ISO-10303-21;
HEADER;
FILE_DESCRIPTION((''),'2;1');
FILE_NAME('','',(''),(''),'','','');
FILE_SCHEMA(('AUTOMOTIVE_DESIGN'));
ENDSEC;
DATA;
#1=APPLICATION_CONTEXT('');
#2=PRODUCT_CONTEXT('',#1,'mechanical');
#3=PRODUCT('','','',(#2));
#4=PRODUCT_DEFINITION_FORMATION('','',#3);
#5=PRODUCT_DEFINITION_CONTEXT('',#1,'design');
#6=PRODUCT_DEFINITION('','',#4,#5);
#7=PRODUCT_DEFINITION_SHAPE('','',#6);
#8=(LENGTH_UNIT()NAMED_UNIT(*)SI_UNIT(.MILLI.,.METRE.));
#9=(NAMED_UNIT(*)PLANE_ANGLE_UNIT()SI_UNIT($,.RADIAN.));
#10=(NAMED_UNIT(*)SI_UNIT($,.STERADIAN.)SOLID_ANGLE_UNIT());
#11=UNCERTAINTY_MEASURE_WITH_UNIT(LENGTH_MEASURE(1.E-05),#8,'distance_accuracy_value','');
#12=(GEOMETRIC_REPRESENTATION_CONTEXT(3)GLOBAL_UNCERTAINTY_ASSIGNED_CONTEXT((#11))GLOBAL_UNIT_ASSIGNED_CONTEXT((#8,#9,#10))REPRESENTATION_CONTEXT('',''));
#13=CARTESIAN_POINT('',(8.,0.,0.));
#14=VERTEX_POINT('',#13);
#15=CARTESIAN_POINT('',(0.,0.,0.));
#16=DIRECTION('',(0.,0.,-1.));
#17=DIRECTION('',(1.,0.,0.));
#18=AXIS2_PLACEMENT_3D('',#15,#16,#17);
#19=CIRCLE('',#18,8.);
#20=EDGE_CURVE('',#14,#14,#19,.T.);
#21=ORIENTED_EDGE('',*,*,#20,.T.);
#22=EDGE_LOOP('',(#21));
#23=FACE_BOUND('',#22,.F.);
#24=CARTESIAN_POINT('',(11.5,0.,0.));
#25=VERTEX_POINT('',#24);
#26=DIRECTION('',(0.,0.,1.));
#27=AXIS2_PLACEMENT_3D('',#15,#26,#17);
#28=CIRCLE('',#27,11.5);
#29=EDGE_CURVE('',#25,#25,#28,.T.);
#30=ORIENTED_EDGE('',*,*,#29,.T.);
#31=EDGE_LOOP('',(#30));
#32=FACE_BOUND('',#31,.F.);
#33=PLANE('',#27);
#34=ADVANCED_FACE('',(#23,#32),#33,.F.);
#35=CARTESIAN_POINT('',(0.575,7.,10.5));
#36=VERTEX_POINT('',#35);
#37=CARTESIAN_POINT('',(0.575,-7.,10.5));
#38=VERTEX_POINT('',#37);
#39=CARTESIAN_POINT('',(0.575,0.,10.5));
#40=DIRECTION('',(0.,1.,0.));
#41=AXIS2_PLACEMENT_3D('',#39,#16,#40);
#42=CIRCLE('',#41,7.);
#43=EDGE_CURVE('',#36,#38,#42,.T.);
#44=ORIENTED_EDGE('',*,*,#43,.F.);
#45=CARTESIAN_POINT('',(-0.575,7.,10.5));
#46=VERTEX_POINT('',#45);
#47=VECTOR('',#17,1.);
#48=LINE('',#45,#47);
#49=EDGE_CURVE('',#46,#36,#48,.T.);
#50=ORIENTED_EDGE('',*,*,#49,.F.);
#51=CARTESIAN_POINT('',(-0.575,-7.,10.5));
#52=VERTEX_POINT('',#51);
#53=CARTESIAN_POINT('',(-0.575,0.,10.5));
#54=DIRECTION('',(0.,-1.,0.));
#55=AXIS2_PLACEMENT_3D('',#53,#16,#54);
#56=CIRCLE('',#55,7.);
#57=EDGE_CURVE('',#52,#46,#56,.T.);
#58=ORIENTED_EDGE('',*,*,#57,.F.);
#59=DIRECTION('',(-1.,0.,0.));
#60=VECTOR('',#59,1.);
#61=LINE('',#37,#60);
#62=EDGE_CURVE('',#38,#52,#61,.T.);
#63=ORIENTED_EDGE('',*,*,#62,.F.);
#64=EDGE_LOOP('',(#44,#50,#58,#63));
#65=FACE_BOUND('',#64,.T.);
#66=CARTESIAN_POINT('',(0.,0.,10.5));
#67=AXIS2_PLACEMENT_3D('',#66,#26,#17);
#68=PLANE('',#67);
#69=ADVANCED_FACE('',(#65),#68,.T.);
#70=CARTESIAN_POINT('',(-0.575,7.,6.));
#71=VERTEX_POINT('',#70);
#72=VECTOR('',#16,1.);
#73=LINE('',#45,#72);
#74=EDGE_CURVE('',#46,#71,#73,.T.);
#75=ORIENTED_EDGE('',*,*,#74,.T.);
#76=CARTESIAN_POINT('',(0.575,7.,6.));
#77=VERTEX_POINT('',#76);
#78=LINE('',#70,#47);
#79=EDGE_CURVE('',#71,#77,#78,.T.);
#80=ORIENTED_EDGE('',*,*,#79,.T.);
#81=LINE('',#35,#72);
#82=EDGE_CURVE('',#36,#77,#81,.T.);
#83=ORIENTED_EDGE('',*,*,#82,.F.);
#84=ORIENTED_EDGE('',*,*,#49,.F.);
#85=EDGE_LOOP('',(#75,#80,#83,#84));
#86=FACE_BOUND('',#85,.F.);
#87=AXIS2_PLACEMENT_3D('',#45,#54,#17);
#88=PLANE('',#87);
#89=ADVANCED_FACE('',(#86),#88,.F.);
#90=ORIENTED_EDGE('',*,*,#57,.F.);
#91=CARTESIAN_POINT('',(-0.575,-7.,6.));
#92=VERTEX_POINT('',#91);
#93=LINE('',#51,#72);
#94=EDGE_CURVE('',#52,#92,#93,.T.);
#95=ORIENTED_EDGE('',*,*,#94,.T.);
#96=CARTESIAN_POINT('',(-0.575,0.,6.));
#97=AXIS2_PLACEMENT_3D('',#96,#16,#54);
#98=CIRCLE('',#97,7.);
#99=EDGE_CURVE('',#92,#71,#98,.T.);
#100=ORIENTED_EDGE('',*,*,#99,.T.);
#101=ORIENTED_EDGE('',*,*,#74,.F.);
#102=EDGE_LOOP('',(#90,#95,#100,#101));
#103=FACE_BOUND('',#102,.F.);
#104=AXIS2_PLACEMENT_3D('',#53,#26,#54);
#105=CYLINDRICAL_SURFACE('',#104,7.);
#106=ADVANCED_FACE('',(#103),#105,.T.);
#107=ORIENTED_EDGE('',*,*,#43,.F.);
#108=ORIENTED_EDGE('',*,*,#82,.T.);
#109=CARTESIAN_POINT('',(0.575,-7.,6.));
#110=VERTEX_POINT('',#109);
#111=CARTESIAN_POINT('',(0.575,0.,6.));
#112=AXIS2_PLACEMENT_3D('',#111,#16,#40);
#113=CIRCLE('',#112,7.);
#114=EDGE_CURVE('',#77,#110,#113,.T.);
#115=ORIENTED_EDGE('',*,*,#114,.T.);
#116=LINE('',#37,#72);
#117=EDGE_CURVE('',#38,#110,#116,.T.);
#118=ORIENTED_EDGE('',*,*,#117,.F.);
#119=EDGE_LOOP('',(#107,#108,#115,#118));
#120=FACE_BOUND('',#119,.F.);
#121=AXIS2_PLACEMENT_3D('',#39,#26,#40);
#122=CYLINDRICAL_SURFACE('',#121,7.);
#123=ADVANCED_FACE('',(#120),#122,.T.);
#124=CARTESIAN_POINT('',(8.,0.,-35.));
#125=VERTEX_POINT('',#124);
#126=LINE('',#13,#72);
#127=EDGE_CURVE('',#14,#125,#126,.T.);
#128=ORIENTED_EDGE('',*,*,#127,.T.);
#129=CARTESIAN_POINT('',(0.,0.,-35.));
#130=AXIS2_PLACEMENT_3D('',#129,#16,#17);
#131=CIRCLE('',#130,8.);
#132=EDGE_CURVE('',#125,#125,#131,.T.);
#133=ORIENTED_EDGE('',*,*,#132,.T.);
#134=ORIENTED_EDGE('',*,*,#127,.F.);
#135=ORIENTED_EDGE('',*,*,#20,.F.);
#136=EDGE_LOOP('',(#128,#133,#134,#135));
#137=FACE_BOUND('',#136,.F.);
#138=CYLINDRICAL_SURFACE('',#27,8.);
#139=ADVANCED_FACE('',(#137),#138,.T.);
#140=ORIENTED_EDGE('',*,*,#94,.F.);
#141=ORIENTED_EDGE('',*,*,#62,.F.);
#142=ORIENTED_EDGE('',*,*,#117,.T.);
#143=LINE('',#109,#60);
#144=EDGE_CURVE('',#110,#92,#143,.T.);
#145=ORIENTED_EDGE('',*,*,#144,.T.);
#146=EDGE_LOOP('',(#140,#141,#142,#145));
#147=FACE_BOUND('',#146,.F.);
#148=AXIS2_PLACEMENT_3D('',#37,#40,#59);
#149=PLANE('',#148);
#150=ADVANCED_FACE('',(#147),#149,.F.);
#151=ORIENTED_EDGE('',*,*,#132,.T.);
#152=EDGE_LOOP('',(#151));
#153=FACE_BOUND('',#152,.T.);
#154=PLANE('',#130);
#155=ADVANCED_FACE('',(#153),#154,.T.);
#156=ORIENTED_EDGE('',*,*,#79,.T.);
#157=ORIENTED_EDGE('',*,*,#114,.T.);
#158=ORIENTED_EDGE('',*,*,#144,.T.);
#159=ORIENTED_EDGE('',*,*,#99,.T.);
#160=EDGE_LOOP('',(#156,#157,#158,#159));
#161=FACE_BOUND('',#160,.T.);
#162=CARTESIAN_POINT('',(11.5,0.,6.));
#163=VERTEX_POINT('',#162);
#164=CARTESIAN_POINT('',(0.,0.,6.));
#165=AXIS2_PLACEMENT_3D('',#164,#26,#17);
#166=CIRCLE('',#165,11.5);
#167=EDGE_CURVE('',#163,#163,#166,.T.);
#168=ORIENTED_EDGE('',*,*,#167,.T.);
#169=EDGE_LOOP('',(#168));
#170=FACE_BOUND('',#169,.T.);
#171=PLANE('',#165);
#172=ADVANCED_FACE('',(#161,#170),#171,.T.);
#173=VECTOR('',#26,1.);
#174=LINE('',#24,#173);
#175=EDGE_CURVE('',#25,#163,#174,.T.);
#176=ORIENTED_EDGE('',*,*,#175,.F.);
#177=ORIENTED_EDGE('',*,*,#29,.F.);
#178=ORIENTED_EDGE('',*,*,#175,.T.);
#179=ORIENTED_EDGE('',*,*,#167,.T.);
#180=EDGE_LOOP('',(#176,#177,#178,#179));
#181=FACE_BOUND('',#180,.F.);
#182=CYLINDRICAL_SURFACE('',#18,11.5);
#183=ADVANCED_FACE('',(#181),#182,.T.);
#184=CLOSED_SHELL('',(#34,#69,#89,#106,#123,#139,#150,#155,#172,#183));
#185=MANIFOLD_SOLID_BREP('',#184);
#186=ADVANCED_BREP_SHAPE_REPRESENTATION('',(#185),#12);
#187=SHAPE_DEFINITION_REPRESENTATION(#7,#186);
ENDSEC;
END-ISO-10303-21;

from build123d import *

# Parameters (mm, degrees)
F0_R     = 11.5
F1_DEPTH = 10.5
F2_R     = 8
F3_DEPTH = 35
F4_R     = 11.5
F5_DEPTH = 4.5


with BuildPart() as f1:
    # F0 (on Top) → F1 (new body)
    with BuildSketch(Plane.XY):
        Circle(F0_R)
    extrude(amount=F1_DEPTH)

    # F2 (on face) → F3 (join)
    with BuildSketch(Plane(origin=(0, 0, 0), x_dir=(1, 0, 0), z_dir=(0, 0, -1))):
        Circle(F2_R)
    extrude(amount=F3_DEPTH)

    # F4 (on face) → F5 (cut)
    with BuildSketch(Plane.XY.offset(10.5)):
        Circle(F4_R)
        with BuildLine():
            ThreePointArc((0.575, 7), (7.575, 0), (0.575, -7))
            Line((0.575, -7), (-0.575, -7))
            ThreePointArc((-0.575, -7), (-7.575, 0), (-0.575, 7))
            Line((-0.575, 7), (0.575, 7))
        make_face(mode=Mode.SUBTRACT)
    extrude(amount=-F5_DEPTH, mode=Mode.SUBTRACT)


solid = f1.part
